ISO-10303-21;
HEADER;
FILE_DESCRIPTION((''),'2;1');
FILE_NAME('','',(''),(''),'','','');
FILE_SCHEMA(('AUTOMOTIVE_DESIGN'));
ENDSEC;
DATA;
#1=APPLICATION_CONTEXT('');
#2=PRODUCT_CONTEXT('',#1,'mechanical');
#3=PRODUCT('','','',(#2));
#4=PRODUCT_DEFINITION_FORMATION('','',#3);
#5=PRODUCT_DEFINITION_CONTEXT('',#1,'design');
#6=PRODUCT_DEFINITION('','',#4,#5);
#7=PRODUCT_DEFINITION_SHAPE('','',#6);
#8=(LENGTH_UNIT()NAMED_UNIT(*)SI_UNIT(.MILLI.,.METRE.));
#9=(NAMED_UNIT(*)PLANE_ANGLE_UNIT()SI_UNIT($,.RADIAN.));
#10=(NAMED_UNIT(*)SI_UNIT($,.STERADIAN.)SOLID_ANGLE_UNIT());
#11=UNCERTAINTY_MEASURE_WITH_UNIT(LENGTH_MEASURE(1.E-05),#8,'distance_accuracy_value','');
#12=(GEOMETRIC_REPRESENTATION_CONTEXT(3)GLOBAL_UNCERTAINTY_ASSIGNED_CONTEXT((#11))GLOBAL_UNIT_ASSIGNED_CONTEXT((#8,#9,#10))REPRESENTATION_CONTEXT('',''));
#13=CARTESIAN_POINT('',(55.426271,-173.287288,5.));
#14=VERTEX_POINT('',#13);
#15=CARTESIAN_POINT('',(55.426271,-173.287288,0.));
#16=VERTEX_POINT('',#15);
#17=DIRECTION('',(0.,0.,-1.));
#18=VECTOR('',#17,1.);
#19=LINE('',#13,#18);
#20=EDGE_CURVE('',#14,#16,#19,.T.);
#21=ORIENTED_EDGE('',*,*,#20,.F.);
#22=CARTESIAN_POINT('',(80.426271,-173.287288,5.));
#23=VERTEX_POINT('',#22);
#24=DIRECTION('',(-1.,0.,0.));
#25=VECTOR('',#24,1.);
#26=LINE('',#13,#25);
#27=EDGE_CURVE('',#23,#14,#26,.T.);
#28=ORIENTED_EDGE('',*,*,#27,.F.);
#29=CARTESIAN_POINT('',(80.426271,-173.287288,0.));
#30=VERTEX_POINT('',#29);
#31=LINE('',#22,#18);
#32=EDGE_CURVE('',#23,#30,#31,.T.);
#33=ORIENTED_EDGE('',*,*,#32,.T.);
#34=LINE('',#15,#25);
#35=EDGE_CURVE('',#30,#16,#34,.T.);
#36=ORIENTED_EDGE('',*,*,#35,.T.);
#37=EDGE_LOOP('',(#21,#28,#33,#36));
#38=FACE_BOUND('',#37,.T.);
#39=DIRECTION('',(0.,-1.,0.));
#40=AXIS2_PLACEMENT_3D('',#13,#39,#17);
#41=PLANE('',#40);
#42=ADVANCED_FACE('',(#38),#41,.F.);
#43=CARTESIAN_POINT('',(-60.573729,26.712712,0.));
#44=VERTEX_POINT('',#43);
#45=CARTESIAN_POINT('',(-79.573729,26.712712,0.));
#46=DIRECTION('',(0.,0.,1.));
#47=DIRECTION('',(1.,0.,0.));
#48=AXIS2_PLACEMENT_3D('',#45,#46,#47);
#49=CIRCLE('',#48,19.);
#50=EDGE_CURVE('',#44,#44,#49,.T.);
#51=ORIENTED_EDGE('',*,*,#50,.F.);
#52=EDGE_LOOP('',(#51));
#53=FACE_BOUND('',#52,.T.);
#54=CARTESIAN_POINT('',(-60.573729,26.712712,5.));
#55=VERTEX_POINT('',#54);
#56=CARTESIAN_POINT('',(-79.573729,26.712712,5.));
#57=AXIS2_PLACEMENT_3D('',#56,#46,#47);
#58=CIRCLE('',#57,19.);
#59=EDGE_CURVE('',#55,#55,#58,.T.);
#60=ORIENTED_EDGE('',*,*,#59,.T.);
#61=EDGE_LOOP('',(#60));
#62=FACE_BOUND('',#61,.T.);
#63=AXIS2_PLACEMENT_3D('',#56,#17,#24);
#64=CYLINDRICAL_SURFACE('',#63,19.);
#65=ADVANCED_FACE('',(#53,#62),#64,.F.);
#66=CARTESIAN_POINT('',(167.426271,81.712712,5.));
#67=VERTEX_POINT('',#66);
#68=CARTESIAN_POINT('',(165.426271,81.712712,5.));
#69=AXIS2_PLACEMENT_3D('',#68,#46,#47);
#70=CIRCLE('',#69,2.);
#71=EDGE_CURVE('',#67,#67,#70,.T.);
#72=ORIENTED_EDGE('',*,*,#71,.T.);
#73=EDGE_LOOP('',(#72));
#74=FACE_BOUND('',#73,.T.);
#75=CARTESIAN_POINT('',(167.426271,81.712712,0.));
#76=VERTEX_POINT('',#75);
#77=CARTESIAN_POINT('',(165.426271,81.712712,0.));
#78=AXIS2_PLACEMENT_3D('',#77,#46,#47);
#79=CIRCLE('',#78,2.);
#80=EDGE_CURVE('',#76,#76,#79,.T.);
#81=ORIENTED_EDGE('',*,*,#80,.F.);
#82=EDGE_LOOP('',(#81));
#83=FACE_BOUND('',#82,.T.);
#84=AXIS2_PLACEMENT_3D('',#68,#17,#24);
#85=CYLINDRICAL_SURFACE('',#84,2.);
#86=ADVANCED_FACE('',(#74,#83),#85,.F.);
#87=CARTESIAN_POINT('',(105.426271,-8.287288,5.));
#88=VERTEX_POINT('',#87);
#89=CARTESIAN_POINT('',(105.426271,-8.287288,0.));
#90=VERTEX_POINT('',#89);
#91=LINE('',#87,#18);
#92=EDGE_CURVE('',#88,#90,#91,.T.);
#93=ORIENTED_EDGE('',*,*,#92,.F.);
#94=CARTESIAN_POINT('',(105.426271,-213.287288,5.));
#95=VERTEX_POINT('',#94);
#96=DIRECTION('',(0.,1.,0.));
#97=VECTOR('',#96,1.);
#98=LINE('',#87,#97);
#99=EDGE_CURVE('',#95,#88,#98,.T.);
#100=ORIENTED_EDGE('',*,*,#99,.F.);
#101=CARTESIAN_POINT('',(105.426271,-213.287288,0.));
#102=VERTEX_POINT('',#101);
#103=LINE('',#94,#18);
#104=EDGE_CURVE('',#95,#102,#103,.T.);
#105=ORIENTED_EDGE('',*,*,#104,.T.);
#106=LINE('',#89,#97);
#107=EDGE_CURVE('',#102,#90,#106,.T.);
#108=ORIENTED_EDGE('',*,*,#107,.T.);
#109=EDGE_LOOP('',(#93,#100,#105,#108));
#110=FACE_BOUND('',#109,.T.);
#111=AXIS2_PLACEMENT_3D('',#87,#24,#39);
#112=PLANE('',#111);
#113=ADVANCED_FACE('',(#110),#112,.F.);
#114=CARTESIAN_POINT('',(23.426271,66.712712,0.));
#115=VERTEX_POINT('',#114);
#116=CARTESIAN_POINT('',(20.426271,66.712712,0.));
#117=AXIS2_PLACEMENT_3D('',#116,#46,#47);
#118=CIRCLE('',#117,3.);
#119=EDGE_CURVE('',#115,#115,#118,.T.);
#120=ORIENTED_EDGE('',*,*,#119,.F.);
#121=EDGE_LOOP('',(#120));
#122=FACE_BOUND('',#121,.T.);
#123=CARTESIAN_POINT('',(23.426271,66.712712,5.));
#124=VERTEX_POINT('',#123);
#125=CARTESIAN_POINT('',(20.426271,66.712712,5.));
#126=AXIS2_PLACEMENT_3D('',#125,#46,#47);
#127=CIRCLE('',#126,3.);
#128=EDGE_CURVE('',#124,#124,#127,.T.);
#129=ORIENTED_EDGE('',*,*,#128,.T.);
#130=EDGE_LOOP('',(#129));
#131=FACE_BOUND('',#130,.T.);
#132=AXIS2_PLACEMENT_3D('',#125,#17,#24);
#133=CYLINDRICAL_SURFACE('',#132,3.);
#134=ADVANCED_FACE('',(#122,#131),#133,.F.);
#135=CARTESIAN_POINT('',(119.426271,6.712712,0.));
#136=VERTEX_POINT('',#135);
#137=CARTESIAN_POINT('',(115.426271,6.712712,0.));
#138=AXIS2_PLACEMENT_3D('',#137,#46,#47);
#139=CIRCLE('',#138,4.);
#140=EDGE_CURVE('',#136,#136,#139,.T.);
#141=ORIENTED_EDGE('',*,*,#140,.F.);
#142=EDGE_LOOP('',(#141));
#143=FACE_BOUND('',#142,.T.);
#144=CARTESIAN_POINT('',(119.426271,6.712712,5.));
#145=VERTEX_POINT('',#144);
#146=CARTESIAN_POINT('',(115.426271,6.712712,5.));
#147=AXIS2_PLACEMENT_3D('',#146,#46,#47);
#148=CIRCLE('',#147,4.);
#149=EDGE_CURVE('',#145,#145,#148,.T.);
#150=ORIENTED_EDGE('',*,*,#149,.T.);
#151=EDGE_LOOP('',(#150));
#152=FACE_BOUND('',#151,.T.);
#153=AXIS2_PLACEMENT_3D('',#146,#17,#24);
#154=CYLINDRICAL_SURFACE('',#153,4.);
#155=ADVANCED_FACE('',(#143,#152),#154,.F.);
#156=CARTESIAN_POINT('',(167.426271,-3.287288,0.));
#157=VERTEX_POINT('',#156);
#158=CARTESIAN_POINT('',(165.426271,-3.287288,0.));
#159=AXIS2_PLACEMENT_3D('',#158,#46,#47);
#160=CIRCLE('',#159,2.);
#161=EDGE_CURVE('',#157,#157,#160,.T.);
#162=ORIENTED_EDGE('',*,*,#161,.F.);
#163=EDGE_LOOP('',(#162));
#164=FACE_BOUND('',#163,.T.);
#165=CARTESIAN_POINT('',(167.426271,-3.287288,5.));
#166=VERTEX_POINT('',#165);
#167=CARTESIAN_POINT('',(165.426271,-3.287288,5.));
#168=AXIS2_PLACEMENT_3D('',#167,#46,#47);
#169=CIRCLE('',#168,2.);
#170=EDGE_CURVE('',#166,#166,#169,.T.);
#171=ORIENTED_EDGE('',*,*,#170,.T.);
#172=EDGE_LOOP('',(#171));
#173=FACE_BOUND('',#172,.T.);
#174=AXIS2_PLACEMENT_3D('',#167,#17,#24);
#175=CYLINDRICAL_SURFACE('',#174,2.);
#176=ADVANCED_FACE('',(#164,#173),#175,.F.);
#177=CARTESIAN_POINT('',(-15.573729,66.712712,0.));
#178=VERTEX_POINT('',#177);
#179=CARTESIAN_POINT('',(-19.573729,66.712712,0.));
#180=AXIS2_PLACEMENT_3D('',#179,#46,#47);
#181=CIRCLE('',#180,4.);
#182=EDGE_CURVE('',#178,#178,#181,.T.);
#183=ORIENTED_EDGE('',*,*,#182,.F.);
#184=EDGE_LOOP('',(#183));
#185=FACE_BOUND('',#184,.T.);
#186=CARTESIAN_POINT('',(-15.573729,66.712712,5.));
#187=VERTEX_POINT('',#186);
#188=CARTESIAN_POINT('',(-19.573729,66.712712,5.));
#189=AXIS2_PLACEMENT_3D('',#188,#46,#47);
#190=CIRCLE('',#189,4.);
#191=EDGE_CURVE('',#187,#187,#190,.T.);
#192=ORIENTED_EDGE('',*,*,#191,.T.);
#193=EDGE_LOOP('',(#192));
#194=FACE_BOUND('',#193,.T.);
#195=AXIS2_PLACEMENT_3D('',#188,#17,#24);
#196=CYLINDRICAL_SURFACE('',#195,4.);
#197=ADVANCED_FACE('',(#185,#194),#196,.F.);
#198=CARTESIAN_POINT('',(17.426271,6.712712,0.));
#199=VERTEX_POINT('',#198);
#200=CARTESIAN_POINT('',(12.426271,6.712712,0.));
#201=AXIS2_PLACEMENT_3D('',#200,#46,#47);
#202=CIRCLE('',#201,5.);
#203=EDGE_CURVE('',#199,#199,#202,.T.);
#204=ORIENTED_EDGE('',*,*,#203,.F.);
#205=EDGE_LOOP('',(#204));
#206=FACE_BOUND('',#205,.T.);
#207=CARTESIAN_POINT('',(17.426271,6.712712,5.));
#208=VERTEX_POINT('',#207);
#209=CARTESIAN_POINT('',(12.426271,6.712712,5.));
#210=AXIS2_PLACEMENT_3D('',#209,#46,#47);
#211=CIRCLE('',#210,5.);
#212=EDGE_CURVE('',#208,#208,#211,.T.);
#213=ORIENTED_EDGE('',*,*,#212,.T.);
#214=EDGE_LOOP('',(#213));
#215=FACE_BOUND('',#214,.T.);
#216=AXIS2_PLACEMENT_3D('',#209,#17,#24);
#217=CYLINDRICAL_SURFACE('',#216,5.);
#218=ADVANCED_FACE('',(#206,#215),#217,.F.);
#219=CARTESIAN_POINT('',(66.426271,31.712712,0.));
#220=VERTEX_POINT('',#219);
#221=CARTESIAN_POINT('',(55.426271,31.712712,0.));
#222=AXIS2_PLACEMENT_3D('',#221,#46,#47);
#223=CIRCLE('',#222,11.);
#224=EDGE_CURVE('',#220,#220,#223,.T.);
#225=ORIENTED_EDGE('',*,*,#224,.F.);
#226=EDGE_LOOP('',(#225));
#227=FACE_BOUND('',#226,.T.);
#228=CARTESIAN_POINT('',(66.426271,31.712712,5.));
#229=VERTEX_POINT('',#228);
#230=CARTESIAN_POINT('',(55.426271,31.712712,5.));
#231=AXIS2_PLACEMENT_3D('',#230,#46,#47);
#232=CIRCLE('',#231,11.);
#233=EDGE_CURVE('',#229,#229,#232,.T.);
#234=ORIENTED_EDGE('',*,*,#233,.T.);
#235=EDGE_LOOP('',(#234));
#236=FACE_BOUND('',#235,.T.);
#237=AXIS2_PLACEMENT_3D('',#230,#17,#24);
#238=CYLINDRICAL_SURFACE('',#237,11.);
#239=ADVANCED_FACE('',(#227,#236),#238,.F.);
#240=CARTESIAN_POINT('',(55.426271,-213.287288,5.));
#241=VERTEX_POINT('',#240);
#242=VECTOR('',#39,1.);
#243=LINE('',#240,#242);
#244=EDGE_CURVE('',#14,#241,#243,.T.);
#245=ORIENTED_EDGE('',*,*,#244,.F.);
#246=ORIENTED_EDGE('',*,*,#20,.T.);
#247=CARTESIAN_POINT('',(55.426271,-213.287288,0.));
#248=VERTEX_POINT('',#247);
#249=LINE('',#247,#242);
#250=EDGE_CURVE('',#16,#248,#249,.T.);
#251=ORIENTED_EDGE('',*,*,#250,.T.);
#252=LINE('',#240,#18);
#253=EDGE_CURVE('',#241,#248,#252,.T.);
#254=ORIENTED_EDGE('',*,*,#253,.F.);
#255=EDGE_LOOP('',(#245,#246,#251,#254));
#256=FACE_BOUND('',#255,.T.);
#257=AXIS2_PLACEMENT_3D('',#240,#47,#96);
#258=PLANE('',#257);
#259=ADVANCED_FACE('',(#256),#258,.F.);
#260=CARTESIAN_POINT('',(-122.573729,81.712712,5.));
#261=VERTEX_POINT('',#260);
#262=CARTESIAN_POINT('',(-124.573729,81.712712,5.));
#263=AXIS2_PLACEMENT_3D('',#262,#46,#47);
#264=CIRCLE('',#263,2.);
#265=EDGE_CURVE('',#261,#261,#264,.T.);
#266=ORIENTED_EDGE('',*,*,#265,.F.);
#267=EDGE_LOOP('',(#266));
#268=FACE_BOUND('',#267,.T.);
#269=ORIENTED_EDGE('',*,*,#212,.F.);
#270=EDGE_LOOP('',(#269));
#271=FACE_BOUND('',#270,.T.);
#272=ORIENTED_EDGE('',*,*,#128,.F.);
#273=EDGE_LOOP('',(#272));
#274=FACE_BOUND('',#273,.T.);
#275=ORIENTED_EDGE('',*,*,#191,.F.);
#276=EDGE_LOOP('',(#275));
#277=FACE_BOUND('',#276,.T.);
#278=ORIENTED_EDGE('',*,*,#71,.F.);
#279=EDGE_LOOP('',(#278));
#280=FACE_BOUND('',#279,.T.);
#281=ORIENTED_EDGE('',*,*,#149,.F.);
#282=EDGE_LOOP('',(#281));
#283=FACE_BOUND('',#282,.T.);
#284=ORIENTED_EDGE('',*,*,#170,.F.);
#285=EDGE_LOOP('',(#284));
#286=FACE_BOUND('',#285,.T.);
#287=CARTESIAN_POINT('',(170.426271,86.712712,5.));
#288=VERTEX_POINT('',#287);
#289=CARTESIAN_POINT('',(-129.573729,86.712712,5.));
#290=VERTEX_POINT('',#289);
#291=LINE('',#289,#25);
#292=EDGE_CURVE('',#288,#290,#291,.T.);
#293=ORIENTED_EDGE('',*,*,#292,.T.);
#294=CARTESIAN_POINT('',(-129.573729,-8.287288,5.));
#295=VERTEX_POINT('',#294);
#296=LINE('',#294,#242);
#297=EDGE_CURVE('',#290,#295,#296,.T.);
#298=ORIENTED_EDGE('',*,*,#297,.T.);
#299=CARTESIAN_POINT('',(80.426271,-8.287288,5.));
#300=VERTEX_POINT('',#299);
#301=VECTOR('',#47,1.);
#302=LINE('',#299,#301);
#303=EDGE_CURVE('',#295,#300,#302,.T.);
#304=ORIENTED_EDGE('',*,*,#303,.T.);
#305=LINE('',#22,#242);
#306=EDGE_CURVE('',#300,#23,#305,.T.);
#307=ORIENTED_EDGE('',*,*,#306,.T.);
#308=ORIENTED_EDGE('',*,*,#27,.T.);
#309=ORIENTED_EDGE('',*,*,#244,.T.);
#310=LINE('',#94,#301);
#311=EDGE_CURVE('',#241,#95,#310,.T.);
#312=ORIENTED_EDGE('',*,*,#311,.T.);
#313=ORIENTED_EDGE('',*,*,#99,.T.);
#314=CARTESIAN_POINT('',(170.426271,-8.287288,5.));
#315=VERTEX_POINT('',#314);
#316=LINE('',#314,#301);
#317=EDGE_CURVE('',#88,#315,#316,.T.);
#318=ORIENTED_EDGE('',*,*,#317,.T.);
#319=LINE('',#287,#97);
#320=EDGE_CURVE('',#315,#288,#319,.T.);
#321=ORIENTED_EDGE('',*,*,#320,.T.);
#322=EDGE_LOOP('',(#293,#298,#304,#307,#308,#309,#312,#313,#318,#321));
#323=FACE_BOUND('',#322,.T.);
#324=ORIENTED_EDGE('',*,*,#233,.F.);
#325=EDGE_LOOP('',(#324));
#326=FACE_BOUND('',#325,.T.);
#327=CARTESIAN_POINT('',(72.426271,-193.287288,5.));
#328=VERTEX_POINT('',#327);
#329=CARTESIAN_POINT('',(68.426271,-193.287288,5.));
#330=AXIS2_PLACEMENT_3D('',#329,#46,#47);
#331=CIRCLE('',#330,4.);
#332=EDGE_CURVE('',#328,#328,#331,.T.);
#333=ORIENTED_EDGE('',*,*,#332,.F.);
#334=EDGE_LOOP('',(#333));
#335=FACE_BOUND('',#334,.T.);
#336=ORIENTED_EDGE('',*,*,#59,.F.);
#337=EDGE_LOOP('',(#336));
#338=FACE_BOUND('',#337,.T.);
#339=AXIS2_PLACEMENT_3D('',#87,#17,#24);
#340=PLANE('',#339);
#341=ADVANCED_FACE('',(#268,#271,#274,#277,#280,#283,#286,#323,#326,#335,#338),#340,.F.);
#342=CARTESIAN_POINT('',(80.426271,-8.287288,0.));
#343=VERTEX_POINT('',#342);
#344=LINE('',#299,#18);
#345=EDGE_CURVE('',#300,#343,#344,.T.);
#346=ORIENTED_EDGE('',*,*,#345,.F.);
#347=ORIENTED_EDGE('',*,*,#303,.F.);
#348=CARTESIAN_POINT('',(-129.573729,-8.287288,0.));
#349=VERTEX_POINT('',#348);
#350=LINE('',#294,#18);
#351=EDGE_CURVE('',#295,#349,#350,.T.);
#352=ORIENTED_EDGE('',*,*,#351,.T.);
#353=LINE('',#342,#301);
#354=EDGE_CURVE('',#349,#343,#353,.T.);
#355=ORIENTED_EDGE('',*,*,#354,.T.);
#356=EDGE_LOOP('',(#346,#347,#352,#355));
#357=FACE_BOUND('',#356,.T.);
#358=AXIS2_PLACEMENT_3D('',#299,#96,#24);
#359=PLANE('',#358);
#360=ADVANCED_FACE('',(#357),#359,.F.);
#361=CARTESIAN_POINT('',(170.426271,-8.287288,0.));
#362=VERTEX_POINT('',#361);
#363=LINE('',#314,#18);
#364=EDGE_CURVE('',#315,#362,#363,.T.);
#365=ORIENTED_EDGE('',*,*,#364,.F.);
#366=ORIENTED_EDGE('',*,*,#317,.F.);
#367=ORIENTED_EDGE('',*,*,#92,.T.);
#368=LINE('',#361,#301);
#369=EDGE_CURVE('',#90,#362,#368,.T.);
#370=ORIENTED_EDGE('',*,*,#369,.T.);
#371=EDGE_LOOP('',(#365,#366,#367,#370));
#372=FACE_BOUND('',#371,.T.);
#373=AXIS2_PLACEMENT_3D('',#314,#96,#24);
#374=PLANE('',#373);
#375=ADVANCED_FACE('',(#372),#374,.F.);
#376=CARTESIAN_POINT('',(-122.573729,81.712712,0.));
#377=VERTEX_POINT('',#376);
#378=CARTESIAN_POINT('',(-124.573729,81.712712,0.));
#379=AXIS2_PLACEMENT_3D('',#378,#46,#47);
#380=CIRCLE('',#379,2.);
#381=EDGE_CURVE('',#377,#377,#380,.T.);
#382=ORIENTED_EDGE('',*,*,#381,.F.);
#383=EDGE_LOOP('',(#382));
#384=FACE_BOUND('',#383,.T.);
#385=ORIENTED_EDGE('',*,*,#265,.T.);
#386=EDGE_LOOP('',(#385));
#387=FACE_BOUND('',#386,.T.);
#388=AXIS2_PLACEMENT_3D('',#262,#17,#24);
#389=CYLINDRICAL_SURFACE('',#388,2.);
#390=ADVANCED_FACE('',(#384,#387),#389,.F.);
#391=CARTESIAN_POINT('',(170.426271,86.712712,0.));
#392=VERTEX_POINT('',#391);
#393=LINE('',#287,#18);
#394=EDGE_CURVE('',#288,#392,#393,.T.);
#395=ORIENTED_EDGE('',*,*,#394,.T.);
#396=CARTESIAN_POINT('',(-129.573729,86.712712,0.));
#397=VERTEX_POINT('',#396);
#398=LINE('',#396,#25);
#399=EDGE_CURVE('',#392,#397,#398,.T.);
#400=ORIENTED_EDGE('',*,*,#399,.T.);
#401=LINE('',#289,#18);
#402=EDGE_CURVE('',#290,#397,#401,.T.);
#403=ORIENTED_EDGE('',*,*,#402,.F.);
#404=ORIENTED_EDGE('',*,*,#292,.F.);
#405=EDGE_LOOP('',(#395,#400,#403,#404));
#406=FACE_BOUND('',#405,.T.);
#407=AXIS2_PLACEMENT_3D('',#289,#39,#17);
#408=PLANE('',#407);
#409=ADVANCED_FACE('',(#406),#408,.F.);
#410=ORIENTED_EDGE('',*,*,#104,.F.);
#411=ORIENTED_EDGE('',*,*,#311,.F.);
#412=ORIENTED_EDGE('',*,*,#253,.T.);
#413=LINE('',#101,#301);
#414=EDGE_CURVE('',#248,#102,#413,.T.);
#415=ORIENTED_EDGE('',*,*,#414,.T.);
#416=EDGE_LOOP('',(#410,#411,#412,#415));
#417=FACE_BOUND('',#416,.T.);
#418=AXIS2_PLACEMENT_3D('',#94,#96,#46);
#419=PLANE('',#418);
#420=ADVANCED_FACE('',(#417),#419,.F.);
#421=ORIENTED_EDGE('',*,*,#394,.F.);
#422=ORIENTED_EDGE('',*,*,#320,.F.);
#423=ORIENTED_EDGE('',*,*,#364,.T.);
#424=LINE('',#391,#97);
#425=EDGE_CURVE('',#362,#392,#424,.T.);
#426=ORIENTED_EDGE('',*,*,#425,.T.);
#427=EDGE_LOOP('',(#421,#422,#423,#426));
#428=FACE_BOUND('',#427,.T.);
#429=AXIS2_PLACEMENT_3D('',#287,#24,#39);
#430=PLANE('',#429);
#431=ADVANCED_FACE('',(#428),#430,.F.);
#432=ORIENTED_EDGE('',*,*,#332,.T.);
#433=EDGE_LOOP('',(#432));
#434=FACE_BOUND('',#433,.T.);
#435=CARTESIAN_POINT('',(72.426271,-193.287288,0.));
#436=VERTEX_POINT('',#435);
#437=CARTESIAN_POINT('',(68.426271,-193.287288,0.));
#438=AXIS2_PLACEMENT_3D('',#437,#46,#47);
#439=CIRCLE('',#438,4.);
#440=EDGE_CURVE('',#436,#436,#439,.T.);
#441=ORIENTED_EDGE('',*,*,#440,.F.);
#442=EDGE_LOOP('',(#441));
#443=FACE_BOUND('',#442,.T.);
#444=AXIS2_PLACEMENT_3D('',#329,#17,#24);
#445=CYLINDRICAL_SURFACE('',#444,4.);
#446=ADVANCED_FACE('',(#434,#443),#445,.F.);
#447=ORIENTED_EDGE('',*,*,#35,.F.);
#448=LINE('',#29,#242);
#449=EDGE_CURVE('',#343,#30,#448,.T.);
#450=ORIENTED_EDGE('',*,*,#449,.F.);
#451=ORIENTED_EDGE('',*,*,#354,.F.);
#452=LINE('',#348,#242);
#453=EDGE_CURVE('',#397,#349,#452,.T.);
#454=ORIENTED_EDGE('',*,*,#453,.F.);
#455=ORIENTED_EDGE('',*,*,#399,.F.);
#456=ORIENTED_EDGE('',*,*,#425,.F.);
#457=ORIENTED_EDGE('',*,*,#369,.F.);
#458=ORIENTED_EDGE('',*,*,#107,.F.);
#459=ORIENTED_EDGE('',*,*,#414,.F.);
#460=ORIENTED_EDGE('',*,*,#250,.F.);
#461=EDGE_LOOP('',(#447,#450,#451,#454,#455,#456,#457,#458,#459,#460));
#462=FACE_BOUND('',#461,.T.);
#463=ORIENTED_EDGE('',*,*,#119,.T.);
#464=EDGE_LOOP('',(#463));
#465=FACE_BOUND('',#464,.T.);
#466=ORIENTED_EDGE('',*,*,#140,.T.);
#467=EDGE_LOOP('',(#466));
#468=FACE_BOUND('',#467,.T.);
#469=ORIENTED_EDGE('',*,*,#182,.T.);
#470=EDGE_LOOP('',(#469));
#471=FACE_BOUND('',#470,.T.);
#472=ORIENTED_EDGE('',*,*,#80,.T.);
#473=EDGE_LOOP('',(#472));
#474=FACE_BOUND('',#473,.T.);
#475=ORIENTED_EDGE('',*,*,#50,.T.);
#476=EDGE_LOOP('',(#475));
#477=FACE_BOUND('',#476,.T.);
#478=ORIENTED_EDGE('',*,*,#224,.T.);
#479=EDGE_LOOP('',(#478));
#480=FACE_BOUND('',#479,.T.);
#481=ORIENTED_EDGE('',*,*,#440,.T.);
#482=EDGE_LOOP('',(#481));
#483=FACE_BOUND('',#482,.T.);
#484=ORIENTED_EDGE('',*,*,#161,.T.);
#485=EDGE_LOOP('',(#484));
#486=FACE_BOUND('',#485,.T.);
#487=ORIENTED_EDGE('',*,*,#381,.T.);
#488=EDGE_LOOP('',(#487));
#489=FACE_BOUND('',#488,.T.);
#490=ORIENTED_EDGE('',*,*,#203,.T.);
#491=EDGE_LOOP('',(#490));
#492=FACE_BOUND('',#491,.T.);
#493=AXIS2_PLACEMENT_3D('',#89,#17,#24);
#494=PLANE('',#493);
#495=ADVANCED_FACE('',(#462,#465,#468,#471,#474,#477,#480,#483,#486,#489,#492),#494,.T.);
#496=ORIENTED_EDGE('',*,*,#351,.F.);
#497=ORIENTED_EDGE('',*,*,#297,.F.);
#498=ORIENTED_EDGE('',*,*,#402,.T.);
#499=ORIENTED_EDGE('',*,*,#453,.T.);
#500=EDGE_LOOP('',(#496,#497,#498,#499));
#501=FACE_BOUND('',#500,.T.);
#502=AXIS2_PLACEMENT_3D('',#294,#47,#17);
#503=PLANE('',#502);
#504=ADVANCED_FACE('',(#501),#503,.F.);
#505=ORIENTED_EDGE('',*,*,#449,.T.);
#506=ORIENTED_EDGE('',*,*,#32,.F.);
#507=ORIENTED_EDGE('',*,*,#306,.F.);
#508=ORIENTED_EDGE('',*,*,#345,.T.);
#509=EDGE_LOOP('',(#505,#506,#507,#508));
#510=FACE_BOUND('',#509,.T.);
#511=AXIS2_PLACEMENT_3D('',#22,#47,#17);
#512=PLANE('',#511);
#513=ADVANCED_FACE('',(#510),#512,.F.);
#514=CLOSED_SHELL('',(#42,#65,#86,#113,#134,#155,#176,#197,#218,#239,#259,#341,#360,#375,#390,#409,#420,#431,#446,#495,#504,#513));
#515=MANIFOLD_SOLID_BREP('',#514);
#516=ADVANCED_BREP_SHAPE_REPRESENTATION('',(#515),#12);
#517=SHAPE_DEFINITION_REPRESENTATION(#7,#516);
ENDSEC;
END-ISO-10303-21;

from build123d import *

# Parameters (mm, degrees)
SKETCH1_R      = 4
SKETCH1_R_2    = 11
SKETCH1_R_3    = 19
SKETCH1_R_4    = 5
SKETCH1_R_5    = 3
SKETCH1_R_6    = 2
EXTRUDE1_DEPTH = 5


with BuildPart() as part:
    # Sketch1 → Extrude1 (new body)
    with BuildSketch(Plane.XY):
        Polygon((105.426271186, -213.287288136), (55.426271186, -213.287288136), (55.426271186, -173.287288136), (80.426271186, -173.287288136), (80.426271186, -8.287288136), (-129.573728814, -8.287288136), (-129.573728814, 86.712711864), (170.426271186, 86.712711864), (170.426271186, -8.287288136), (105.426271186, -8.287288136), align=None)
        with Locations((68.426271186, -193.287288136)):
            Circle(SKETCH1_R, mode=Mode.SUBTRACT)
        with Locations((115.426271186, 6.712711864)):
            Circle(SKETCH1_R, mode=Mode.SUBTRACT)
        with Locations((55.426271186, 31.712711864)):
            Circle(SKETCH1_R_2, mode=Mode.SUBTRACT)
        with Locations((-79.573728814, 26.712711864)):
            Circle(SKETCH1_R_3, mode=Mode.SUBTRACT)
        with Locations((12.426271186, 6.712711864)):
            Circle(SKETCH1_R_4, mode=Mode.SUBTRACT)
        with Locations((20.426271186, 66.712711864)):
            Circle(SKETCH1_R_5, mode=Mode.SUBTRACT)
        with Locations((-124.573728814, 81.712711864)):
            Circle(SKETCH1_R_6, mode=Mode.SUBTRACT)
        with Locations((165.426271186, 81.712711864)):
            Circle(SKETCH1_R_6, mode=Mode.SUBTRACT)
        with Locations((165.426271186, -3.287288136)):
            Circle(SKETCH1_R_6, mode=Mode.SUBTRACT)
        with Locations((-19.573728814, 66.712711864)):
            Circle(SKETCH1_R, mode=Mode.SUBTRACT)
    extrude(amount=EXTRUDE1_DEPTH)


solid = part.part
